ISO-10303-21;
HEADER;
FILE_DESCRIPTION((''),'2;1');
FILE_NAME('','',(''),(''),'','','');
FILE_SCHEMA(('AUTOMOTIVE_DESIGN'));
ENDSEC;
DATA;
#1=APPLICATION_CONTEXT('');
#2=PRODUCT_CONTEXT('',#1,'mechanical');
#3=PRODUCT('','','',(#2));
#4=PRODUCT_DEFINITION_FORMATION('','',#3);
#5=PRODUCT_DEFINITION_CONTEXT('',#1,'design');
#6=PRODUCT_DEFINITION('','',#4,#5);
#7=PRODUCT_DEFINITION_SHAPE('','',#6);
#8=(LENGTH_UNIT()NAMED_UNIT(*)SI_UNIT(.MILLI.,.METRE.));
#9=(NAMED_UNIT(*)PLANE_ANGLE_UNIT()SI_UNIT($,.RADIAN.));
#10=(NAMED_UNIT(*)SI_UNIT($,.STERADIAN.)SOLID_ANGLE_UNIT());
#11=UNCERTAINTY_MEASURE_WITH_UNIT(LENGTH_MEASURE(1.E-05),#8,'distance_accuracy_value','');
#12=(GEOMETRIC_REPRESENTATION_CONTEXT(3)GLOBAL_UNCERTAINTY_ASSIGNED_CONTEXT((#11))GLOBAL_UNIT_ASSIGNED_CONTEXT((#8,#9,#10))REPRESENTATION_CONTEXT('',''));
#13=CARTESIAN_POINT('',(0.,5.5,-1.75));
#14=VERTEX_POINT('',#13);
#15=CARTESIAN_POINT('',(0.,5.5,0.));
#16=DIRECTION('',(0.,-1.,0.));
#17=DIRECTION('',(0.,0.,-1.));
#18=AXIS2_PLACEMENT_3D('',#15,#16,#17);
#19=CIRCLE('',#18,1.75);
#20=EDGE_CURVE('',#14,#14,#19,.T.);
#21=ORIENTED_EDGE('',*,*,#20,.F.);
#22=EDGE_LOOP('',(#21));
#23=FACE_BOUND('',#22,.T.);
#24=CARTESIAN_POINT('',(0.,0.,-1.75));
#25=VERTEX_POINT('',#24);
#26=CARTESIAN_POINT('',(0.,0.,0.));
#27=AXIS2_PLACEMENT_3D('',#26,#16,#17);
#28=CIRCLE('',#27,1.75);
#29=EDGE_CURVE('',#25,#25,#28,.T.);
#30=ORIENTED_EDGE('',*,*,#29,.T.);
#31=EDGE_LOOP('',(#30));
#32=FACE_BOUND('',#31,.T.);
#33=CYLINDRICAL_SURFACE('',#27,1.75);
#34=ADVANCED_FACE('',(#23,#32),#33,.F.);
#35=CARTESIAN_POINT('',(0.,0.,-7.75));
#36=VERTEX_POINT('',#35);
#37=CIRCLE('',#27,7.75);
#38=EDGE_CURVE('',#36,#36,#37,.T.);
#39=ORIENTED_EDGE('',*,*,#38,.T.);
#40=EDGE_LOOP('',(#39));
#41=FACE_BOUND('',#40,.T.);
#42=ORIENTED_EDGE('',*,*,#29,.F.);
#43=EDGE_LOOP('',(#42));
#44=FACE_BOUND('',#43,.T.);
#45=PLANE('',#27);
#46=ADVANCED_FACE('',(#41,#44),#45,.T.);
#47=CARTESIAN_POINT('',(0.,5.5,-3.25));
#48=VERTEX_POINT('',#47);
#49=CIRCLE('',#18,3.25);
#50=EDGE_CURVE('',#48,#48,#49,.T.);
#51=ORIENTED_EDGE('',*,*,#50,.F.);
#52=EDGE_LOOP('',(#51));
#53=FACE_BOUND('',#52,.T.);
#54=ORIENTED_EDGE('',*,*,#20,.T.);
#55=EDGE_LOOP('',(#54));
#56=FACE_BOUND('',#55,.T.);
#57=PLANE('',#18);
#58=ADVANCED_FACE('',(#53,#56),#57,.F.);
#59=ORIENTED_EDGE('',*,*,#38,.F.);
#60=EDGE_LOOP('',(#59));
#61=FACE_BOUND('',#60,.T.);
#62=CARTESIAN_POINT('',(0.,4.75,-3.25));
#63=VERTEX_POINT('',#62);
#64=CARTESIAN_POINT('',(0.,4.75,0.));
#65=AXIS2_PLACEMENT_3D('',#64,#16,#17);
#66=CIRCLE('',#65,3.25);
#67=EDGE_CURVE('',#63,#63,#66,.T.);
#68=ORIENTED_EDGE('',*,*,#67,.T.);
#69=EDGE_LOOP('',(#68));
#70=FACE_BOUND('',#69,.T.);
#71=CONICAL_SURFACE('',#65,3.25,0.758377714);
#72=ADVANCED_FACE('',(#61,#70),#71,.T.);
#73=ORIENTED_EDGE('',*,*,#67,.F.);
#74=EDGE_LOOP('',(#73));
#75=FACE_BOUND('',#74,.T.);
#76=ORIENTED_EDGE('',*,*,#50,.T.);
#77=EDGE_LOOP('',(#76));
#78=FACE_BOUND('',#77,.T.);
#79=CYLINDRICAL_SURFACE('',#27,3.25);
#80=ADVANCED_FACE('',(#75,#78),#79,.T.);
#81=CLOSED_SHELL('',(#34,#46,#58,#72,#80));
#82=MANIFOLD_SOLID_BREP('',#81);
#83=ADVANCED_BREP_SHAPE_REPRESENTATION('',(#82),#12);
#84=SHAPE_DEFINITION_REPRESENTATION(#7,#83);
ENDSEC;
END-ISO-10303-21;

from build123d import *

# Parameters (mm, degrees)
SKETCH_1_W = 1.5
SKETCH_1_H = 5.5


with BuildPart() as part:
    # Эскиз1 → Повернуть1 (revolve)
    with BuildSketch(Plane.XY, mode=Mode.PRIVATE) as revolve_1_sk:
        with Locations((2.5, 2.75)):
            Rectangle(SKETCH_1_W, SKETCH_1_H)
        Polygon((7.75, 0), (3.25, 4.75), (3.25, 0), align=None)
    revolve(revolve_1_sk.sketch.rotate(Axis((0, 0, 0), (0, 1, 0)), 90), axis=Axis((0, 0, 0), (0, 1, 0)))


solid = part.part
